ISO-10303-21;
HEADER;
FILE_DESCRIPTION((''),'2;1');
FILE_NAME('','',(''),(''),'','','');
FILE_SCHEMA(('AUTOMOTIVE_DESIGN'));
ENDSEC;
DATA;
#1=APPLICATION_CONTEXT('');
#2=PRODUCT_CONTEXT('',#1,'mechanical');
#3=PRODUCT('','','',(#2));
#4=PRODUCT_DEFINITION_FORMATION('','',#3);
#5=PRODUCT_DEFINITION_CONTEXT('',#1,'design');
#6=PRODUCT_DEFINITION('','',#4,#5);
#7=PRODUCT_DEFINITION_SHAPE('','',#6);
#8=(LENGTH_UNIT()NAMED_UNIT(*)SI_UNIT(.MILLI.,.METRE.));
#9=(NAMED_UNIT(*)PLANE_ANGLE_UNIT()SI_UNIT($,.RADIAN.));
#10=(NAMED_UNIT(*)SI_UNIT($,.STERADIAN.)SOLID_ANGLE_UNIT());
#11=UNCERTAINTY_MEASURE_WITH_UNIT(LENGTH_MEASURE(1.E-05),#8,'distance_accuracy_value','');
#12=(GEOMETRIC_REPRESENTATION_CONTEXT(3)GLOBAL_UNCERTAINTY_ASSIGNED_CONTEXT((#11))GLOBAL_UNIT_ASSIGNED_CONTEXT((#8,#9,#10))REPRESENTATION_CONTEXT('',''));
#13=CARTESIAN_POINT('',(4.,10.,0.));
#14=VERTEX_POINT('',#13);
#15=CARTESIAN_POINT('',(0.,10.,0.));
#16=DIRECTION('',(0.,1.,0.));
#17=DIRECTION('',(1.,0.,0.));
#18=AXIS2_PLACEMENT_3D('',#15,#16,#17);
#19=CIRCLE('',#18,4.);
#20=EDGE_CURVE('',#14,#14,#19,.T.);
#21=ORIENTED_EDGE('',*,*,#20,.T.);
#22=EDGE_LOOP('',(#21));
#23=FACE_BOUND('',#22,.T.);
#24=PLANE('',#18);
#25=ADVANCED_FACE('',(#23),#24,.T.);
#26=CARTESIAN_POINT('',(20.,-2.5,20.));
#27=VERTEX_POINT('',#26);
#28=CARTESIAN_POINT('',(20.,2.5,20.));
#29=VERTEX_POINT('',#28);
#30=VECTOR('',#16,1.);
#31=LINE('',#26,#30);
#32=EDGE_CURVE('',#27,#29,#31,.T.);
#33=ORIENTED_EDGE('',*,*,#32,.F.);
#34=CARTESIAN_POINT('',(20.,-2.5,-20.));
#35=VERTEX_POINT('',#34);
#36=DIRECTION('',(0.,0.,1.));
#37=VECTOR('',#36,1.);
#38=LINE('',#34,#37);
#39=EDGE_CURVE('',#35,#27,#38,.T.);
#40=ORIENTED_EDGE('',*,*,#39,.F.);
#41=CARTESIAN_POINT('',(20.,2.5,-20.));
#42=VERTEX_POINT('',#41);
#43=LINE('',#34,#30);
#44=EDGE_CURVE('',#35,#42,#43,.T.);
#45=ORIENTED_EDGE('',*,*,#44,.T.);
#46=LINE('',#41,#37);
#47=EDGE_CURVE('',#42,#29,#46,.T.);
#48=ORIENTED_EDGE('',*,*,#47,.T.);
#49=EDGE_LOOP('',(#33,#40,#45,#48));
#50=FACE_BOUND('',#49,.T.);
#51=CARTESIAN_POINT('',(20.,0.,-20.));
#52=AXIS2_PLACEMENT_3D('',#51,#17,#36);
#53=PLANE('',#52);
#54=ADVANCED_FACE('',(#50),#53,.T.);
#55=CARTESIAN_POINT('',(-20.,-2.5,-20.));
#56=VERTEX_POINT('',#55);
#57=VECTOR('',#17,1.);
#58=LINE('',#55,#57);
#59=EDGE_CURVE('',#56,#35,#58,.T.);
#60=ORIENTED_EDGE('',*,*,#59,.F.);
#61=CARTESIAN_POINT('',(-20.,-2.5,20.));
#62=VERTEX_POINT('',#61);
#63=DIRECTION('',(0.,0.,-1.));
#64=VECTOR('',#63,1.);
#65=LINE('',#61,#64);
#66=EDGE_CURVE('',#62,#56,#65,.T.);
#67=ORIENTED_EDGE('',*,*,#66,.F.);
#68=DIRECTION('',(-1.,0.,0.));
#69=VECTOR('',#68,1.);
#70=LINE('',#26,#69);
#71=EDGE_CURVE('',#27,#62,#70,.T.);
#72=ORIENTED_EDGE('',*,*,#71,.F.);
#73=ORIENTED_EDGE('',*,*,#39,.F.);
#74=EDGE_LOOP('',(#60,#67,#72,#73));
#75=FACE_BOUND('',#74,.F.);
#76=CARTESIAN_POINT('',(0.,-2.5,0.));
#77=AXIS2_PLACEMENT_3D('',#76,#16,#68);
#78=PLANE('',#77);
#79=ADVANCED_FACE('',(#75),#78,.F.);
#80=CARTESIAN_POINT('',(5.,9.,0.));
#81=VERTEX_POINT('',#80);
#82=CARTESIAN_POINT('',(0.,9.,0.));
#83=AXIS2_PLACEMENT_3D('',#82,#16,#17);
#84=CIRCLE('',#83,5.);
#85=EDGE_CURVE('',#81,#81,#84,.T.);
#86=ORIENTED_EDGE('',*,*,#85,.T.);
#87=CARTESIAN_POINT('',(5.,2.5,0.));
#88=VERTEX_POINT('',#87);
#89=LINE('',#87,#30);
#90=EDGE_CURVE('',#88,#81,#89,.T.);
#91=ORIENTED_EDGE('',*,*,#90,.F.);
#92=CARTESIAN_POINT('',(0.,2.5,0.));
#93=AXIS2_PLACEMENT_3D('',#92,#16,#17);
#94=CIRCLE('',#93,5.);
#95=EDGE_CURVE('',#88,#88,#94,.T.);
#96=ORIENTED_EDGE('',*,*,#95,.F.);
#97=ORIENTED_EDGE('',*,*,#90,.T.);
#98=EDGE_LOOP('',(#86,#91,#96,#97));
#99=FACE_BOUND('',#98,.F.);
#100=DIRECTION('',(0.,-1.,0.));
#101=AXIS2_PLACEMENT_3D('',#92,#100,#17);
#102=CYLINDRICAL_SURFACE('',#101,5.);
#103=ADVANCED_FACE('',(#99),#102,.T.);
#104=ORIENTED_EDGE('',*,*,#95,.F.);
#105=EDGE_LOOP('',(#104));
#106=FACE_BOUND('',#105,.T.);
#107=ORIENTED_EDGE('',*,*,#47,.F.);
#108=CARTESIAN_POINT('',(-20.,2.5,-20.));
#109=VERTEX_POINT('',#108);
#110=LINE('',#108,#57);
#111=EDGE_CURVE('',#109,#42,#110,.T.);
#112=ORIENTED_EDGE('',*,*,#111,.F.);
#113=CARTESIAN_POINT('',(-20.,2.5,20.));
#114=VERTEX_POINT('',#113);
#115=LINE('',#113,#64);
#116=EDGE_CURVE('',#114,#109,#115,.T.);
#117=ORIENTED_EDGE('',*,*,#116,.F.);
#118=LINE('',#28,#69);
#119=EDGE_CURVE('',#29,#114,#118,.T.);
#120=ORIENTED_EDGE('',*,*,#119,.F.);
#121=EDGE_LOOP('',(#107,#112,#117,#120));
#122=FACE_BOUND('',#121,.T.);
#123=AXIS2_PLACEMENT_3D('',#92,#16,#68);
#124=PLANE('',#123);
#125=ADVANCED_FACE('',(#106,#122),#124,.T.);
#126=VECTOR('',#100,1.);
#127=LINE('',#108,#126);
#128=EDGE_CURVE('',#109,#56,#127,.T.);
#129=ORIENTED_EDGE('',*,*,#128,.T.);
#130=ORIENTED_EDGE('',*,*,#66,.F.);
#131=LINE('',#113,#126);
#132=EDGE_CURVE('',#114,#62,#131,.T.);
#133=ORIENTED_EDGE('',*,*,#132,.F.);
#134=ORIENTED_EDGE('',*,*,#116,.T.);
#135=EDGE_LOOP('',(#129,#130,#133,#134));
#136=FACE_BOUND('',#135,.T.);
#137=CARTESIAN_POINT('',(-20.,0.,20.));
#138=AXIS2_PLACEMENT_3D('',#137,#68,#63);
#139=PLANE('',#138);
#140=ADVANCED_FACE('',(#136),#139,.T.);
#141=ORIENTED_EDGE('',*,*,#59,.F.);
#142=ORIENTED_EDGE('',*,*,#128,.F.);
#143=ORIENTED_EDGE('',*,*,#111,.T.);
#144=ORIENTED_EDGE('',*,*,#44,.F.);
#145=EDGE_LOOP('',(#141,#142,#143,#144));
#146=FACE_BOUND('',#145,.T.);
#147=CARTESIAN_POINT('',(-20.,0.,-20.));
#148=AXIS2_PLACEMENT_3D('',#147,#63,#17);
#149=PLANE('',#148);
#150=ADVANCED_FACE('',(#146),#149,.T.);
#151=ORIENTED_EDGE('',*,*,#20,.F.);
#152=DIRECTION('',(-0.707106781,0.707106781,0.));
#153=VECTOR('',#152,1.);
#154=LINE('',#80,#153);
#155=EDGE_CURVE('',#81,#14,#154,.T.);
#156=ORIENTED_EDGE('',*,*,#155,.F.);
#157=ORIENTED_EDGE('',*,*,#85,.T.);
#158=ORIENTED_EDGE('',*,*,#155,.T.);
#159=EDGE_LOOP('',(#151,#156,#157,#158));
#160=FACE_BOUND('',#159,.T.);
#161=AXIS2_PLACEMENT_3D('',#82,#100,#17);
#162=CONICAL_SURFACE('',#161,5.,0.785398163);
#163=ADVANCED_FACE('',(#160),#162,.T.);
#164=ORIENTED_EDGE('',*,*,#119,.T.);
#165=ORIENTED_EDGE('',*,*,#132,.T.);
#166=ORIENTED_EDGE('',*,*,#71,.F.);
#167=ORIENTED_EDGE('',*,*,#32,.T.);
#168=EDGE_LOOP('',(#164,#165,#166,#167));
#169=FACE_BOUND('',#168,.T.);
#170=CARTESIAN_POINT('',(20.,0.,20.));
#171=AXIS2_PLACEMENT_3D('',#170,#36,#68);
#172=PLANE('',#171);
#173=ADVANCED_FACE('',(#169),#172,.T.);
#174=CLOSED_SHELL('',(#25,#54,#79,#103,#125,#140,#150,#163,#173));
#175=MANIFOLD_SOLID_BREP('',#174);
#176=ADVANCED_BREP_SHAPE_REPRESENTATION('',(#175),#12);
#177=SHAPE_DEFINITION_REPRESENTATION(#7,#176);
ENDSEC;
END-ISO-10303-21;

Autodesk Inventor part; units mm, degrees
ref_plane "YZ Plane" through (0, 0, 0) normal (1, 0, 0) x (0, 1, 0)
ref_plane "XZ Plane" through (0, 0, 0) normal (0, 1, 0) x (-1, 0, 0)
ref_plane "XY Plane" through (0, 0, 0) normal (0, 0, 1) x (1, 0, 0)
sketch "Esboço1" plane through (0, 0, 0) normal (0, 1, 0) x (-1, 0, 0)
  line L0 (-20, 20) -> (20, 20)
  line L1 (20, 20) -> (20, -20)
  line L2 (20, -20) -> (-20, -20)
  line L3 (-20, -20) -> (-20, 20)
  point P0 (0, 0)
extrude "Extrusão1" add sketch "Esboço1" along normal mid plane 5
sketch "Esboço3" plane through (0, 2.5, 0) normal (0, 1, 0) x (1, 0, 0)
  circle A0 centre (0, 0) radius 5
  circle A1 centre (0, 0) radius 4
  dimension "d13" = 10
  dimension "d14" = 8
extrude "Extrusão2" add sketch "Esboço3" along normal blind 7.5 contours A0 | A1
chamfer "Chanfro1" distance 1 angle 45 1 edges at (-5, 10, 0)
properties part number "peça1_trabalho2"
